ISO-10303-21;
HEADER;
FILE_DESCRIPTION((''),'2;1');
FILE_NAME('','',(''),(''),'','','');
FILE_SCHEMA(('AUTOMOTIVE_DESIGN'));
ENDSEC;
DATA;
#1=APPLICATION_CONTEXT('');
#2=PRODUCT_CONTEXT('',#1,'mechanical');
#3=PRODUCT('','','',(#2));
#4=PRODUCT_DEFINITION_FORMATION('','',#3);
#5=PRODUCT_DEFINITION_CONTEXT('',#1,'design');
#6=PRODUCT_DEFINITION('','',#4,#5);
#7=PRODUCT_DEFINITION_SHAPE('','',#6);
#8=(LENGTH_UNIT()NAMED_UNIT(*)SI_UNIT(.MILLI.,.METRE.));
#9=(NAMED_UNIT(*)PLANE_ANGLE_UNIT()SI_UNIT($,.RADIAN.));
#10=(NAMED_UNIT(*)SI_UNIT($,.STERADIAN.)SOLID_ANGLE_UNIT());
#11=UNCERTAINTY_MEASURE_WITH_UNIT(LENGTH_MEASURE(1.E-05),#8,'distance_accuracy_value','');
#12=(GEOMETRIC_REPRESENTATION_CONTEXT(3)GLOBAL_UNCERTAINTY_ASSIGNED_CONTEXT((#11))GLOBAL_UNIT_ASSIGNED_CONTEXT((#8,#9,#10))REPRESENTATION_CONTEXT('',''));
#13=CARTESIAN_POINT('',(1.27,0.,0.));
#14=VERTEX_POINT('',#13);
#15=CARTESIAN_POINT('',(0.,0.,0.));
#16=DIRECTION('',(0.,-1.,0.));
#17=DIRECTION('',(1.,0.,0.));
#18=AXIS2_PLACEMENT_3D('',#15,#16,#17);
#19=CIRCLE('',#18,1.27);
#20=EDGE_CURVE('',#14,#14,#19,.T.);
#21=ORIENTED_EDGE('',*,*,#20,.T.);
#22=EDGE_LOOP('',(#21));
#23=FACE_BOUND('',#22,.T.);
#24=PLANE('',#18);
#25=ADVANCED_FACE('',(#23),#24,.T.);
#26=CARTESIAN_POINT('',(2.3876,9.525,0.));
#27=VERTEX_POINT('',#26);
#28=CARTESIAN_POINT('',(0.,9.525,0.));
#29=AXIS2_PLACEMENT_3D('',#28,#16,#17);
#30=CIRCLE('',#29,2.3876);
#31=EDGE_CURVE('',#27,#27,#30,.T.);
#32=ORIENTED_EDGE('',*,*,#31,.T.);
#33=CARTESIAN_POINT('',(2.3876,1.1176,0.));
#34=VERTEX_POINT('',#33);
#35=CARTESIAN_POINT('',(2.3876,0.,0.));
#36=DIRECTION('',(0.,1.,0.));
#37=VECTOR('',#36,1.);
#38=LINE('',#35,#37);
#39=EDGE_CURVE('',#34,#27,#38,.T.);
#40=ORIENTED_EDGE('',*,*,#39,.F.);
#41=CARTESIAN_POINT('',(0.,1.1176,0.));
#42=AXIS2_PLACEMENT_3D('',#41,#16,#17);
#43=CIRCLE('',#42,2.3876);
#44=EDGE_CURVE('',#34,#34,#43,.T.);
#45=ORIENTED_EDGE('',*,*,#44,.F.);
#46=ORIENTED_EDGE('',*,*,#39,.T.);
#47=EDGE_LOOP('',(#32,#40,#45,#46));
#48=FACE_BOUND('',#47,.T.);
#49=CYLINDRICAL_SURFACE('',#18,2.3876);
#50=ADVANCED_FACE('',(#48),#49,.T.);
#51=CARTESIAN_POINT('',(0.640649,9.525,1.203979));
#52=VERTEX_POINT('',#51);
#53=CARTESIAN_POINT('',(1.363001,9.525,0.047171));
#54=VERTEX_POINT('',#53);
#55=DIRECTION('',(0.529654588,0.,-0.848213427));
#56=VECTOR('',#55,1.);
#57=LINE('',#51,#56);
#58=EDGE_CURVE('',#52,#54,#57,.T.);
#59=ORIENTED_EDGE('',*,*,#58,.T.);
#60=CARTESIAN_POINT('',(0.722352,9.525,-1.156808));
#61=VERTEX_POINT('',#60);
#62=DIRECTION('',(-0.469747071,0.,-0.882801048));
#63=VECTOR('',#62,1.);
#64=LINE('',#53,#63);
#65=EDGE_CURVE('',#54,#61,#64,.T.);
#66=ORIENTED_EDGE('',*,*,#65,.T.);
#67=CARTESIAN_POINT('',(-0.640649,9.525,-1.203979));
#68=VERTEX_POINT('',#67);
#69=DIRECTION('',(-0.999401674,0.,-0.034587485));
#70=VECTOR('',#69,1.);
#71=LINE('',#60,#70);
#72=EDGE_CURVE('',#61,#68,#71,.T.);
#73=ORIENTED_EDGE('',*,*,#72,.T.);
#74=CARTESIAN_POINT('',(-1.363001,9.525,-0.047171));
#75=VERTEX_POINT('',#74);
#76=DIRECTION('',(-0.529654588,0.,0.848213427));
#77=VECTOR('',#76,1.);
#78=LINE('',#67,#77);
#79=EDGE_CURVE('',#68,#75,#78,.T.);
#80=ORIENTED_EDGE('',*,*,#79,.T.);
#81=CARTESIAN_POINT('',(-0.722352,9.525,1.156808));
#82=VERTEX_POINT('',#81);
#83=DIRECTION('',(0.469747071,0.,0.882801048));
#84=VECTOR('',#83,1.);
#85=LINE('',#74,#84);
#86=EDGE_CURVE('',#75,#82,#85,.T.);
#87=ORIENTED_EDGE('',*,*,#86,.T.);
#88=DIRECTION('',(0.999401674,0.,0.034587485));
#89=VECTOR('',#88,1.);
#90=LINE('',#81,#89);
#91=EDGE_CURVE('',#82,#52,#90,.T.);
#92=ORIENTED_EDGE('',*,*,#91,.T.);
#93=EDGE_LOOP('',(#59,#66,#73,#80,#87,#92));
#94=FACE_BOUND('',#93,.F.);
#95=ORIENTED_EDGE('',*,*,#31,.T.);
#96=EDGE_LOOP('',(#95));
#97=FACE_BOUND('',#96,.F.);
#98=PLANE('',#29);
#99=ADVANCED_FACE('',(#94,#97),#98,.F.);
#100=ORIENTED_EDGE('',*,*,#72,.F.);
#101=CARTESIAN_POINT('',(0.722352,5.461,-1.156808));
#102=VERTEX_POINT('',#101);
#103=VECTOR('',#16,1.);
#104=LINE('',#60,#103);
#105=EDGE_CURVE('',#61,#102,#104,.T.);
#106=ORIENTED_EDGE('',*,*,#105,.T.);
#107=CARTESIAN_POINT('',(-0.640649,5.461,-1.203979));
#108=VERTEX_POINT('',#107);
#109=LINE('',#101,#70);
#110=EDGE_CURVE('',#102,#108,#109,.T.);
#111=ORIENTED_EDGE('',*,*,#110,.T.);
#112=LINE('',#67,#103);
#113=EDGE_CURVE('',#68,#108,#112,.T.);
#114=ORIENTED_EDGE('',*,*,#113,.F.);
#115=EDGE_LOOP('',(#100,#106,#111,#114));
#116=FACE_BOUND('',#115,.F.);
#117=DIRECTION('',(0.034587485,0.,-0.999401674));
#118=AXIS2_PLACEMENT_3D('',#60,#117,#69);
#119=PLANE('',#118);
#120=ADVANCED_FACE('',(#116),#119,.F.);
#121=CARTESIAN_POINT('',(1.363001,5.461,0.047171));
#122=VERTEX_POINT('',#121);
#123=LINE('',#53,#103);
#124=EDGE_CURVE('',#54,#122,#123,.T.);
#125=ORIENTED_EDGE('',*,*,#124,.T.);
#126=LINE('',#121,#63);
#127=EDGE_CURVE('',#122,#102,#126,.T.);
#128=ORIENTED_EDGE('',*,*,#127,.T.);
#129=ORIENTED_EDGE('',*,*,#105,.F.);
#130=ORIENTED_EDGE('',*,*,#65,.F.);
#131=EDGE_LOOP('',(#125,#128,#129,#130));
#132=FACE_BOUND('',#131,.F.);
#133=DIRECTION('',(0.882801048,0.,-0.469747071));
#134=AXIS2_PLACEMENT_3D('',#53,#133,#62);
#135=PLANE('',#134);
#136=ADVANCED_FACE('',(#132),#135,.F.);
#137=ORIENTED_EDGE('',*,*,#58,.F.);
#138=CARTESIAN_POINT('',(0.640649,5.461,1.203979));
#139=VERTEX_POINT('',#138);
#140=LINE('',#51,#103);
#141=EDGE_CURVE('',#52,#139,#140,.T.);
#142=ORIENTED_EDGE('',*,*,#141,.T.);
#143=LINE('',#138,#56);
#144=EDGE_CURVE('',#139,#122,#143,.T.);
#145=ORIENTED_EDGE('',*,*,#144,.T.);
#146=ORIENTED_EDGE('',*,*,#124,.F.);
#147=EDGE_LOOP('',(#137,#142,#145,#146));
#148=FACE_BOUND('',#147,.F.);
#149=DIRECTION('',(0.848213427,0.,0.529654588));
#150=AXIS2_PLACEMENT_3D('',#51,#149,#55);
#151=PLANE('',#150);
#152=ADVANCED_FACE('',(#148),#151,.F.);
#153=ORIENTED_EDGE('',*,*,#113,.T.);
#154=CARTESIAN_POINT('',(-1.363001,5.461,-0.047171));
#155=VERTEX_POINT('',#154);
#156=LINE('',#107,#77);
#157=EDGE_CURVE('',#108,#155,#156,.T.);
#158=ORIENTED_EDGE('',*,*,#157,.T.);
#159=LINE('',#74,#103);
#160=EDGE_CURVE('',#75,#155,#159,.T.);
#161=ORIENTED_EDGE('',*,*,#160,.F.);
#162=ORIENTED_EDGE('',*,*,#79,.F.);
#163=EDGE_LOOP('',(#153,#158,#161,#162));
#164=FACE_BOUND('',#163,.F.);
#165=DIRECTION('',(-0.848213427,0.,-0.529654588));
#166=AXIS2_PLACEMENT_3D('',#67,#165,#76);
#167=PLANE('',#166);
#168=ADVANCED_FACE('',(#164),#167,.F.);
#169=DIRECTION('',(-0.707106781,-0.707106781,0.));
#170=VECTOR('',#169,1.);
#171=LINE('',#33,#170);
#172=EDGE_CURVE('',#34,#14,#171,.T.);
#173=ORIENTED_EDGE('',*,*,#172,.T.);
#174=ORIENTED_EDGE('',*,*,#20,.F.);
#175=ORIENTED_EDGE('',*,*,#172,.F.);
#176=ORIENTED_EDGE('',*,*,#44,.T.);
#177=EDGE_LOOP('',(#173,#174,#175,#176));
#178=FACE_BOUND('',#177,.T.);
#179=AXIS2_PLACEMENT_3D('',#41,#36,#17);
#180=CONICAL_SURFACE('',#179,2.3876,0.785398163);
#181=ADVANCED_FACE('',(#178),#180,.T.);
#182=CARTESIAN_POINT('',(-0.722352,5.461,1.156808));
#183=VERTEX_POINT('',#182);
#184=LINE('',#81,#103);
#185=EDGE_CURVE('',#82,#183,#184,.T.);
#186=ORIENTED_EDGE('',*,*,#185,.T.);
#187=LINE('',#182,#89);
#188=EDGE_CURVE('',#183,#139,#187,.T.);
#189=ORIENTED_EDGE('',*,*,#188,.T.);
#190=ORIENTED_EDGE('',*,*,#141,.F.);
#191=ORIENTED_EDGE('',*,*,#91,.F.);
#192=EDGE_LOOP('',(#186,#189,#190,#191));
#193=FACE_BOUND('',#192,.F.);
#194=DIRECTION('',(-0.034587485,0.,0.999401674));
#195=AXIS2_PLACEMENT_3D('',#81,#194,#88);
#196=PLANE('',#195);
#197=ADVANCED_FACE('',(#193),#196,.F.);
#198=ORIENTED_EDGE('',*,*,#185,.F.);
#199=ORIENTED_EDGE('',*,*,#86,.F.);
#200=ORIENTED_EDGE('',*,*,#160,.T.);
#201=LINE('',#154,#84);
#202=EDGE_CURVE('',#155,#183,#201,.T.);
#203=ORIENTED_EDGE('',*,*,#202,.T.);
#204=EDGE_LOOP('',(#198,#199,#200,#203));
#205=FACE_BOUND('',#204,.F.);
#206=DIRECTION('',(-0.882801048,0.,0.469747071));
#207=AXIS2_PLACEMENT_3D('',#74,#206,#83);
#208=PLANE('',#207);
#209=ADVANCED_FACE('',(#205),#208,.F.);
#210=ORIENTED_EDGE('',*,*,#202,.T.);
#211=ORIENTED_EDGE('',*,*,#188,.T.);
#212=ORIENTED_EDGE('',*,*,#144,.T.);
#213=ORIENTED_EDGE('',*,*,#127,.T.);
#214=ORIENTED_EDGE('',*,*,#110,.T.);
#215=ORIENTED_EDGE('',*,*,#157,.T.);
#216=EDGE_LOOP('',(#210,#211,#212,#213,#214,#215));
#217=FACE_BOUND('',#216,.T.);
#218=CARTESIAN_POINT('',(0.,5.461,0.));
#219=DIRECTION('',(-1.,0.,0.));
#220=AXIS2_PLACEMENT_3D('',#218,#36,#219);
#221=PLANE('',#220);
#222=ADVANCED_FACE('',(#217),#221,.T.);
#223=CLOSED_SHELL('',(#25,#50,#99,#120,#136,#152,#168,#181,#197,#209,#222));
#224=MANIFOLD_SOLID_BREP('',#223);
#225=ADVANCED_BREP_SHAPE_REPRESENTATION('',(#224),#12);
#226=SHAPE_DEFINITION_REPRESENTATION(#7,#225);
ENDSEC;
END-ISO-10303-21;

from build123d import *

# Parameters (mm, degrees)
F0_R     = 2.3876
F1_DEPTH = 9.525
F3_DEPTH = 4.064
F4_SIZE  = 1.1176


with BuildPart() as f1:
    # F0 (on Front) → F1 (new body)
    with BuildSketch(Plane.XZ):
        Circle(F0_R)
    extrude(amount=-F1_DEPTH)

    # F2 (on face) → F3 (cut)
    with BuildSketch(Plane(origin=(0, 9.525, 0), x_dir=(-1, 0, 0), z_dir=(0, 1, 0))):
        Polygon((-1.363001, 0.047171), (-0.722352, -1.156808), (0.640649, -1.203979), (1.363001, -0.047171), (0.722352, 1.156808), (-0.640649, 1.203979), align=None)
    extrude(amount=-F3_DEPTH, mode=Mode.SUBTRACT)

    # F4
    f4_edges = [f1.edges().sort_by_distance(p)[0] for p in [
        (-2.3876, 0, 0),
    ]]
    chamfer(f4_edges, length=F4_SIZE)


solid = f1.part
